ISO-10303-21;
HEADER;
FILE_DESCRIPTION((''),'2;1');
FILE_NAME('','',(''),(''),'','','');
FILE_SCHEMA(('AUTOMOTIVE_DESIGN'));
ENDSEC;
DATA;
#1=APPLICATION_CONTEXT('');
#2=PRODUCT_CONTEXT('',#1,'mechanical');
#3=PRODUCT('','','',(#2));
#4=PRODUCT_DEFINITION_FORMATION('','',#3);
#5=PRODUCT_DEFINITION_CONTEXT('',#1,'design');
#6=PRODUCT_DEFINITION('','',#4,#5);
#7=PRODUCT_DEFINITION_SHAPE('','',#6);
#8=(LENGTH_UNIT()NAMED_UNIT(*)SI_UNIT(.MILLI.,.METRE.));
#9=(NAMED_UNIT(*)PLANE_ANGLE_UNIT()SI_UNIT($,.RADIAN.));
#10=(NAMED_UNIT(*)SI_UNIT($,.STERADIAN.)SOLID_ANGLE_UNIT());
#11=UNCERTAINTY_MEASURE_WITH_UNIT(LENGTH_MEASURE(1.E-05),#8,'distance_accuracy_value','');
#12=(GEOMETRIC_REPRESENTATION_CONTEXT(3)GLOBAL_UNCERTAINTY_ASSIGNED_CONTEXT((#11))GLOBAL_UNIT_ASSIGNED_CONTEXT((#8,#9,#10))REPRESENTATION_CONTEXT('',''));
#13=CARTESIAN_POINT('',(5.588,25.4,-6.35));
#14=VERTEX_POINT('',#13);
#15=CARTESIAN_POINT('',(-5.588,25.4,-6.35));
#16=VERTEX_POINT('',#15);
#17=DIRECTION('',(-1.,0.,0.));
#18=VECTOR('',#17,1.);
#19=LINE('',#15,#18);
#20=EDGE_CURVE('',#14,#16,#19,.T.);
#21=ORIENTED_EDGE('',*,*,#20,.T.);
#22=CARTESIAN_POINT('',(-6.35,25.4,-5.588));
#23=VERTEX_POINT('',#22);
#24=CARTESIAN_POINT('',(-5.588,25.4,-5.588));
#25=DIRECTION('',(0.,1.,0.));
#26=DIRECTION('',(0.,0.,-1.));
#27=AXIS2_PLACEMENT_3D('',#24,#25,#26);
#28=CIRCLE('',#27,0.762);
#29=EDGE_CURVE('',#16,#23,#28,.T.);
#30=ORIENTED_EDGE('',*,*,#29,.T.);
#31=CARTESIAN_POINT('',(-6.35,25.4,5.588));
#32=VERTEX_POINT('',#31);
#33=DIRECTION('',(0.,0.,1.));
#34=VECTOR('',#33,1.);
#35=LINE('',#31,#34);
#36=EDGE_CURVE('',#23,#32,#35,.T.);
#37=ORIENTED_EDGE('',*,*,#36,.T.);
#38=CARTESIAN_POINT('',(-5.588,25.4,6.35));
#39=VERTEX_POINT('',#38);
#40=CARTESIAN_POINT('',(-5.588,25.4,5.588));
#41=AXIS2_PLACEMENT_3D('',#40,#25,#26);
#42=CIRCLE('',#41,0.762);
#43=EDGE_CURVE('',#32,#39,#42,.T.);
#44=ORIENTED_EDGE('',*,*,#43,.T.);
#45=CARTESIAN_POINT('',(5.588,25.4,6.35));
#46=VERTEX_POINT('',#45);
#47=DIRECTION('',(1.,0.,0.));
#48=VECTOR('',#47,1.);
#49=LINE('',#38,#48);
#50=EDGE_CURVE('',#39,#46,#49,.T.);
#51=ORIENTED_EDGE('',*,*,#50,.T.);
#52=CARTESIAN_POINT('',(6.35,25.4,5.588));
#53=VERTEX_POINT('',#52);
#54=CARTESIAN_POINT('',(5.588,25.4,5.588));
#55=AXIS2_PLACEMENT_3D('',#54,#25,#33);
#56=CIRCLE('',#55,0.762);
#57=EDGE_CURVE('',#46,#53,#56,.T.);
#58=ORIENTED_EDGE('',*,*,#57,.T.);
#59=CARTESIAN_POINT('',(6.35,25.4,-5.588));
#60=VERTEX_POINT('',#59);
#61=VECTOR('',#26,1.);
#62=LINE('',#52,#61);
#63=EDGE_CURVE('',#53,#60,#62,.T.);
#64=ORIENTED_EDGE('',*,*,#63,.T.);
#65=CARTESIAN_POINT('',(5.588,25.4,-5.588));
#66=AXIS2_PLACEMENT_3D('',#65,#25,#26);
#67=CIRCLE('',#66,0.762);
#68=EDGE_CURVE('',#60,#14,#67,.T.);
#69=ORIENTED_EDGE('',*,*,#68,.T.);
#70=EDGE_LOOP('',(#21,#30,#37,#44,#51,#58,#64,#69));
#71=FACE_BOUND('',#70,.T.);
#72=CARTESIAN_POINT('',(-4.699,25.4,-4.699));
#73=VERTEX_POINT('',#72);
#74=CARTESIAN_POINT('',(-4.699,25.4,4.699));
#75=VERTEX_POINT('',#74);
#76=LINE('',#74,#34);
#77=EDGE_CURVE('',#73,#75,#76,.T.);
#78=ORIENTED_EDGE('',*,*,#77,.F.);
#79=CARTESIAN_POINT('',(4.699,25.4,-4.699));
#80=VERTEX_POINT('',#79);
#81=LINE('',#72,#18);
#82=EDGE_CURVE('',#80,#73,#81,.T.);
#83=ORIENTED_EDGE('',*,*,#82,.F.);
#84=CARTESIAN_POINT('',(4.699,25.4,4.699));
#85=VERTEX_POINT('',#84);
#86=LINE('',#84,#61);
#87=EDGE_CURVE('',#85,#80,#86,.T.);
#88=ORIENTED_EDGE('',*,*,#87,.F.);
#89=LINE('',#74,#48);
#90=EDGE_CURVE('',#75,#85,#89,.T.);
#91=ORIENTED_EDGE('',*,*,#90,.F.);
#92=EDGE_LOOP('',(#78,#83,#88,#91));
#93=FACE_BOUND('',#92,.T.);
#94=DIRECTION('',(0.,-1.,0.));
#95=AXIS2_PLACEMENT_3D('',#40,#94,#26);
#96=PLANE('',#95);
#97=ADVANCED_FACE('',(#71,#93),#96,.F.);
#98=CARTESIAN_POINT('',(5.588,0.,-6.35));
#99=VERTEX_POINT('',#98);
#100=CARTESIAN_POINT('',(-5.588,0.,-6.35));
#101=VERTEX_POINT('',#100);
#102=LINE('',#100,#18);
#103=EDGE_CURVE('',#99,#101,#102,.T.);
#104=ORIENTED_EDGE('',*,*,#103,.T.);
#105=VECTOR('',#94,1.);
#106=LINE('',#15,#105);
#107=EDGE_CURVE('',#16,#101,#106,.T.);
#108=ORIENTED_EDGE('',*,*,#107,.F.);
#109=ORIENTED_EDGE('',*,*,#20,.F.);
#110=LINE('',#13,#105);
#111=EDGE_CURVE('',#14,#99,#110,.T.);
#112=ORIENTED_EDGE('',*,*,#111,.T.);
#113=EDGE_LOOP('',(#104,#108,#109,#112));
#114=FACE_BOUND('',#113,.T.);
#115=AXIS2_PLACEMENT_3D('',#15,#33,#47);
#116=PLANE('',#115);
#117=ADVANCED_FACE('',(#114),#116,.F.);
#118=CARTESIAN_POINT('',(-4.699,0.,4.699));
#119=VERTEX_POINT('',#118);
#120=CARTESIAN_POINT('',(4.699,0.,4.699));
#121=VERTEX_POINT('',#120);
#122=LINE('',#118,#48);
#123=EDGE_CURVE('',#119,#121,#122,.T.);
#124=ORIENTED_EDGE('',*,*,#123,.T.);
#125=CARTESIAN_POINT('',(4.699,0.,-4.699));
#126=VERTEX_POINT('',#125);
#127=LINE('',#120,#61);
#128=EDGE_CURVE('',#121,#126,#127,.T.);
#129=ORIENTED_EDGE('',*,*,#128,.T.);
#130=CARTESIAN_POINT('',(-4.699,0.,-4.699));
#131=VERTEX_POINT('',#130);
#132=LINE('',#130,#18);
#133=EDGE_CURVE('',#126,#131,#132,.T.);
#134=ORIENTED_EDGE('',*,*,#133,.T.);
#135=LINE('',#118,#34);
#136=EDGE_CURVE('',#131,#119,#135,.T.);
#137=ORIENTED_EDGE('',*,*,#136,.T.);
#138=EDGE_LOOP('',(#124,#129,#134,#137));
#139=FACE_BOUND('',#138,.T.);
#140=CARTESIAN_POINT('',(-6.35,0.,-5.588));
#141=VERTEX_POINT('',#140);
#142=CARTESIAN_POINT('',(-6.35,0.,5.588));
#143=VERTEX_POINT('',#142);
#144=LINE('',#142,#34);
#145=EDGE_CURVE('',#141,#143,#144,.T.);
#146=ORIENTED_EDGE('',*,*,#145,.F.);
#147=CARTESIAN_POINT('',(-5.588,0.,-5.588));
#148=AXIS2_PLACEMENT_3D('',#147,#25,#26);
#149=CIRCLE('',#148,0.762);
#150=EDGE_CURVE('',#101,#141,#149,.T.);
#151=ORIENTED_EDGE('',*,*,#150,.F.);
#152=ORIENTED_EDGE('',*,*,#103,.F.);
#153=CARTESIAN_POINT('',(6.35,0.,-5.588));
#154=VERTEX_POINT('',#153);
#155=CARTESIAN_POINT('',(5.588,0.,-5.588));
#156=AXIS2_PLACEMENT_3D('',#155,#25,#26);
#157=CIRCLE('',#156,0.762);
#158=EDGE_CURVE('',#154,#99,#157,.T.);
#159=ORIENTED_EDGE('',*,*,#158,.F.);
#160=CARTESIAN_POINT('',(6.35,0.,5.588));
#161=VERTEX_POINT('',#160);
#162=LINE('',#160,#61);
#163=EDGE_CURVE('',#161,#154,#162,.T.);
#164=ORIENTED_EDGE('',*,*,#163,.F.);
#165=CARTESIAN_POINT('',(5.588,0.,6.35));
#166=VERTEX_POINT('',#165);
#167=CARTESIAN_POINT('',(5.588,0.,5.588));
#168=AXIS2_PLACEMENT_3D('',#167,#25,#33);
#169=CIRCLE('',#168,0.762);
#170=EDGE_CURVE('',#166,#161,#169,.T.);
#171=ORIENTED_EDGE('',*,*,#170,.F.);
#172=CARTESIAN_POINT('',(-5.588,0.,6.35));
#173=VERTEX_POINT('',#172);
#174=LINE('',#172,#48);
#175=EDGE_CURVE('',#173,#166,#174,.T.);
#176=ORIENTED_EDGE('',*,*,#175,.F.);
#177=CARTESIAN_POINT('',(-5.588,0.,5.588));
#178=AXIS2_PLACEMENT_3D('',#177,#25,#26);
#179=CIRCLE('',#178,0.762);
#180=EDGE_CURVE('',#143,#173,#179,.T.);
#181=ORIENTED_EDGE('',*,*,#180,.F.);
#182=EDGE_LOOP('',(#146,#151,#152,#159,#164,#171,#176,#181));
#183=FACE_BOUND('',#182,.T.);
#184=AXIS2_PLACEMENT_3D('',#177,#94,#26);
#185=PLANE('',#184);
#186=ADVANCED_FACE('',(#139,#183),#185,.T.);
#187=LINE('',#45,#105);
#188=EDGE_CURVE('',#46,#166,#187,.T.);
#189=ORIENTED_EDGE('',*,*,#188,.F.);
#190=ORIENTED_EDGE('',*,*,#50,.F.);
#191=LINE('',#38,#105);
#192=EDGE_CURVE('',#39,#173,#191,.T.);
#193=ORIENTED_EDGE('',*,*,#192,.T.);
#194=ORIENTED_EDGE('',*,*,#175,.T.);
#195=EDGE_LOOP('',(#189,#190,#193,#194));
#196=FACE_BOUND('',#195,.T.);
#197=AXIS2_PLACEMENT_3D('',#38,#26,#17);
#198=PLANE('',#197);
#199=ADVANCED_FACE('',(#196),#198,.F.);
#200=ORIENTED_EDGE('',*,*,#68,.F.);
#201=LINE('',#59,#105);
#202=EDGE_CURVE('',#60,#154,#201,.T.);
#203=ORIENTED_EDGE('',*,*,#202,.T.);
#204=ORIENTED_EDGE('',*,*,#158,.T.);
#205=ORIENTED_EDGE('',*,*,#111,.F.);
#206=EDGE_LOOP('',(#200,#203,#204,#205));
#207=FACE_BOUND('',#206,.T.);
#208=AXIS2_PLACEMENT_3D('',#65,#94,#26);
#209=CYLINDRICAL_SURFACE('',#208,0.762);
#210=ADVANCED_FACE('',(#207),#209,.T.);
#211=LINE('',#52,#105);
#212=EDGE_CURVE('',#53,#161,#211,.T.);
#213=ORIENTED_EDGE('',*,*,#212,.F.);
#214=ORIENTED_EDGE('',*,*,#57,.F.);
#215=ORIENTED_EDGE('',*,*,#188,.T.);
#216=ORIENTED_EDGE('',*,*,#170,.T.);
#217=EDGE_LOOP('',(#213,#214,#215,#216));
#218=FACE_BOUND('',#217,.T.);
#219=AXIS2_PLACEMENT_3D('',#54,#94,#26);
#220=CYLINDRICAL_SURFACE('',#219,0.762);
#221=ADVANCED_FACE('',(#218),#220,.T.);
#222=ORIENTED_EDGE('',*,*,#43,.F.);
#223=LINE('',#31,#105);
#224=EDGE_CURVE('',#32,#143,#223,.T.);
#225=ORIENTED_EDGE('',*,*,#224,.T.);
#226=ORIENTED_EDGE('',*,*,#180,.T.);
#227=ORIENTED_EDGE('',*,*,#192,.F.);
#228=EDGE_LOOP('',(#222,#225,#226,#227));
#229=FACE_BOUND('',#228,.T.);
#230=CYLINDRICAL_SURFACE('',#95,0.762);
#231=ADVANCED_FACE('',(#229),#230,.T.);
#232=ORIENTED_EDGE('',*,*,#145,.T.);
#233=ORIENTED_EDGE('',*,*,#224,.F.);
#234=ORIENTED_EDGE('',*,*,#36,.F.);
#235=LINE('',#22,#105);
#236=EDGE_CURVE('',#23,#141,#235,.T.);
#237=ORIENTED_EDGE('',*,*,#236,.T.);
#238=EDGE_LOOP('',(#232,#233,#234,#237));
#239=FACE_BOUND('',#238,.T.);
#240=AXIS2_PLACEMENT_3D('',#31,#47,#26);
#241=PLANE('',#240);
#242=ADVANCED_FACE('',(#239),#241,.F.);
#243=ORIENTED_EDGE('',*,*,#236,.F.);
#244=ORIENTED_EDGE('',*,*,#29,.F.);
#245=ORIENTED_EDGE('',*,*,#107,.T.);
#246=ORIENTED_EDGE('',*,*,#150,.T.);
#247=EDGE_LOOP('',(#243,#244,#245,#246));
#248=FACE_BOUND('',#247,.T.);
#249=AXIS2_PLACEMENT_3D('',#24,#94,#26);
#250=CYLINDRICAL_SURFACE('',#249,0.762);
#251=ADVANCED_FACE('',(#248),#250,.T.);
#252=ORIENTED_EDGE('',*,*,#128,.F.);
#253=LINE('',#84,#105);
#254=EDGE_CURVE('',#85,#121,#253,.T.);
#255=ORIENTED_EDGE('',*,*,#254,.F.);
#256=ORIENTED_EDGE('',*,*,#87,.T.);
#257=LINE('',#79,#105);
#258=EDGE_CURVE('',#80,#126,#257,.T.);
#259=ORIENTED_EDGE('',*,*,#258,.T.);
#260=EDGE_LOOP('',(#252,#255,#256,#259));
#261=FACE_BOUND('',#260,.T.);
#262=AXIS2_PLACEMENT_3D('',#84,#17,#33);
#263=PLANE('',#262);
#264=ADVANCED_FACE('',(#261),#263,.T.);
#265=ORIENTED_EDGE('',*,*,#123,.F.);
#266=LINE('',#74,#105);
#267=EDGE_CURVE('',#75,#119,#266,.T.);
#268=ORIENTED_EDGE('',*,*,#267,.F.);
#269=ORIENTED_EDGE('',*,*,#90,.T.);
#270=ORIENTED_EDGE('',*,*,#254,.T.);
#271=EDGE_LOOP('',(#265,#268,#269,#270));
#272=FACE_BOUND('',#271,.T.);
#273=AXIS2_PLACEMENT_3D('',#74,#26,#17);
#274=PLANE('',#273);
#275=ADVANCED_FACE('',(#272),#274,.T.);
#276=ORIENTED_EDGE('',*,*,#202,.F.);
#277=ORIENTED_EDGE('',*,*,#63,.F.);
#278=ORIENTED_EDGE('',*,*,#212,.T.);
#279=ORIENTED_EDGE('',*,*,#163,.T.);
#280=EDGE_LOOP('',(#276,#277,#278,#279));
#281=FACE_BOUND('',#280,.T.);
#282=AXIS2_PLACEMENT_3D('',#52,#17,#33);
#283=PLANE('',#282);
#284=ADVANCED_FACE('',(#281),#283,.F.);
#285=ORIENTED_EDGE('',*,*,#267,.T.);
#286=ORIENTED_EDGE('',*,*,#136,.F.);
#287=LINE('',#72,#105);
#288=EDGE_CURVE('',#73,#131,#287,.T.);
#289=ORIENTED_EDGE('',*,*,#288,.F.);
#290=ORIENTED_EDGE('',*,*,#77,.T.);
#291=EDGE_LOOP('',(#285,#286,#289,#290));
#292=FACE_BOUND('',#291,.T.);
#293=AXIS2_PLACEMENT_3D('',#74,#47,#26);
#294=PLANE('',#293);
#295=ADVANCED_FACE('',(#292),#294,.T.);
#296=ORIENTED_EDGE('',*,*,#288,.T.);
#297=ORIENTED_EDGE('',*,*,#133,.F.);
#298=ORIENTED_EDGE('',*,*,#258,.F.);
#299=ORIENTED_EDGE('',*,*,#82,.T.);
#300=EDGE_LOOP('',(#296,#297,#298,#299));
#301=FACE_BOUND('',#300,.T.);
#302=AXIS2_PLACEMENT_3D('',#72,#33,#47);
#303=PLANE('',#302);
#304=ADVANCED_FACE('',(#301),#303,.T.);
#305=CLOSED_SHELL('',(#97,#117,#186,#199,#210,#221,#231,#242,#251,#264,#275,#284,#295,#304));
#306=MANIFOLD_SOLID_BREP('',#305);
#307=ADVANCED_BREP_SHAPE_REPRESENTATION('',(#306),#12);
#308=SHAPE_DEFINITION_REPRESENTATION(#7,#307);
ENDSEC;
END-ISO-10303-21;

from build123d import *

# Parameters (mm, degrees)
SKETCH1_W           = 9.398
SKETCH1_H           = 9.398
BOSS_EXTRUDE1_DEPTH = 25.4


with BuildPart() as part:
    # Sketch1 → Boss-Extrude1 (new body)
    with BuildSketch(Plane(origin=(0, 0, 0), x_dir=(1, 0, 0), z_dir=(0, 1, 0))):
        with BuildLine():
            Line((-5.588, -6.35), (5.588, -6.35))
            ThreePointArc((5.588, -6.35), (6.126815367, -6.126815367), (6.35, -5.588))
            Line((6.35, -5.588), (6.35, 5.588))
            ThreePointArc((6.35, 5.588), (6.126815367, 6.126815367), (5.588, 6.35))
            Line((5.588, 6.35), (-5.588, 6.35))
            ThreePointArc((-5.588, 6.35), (-6.126815367, 6.126815367), (-6.35, 5.588))
            Line((-6.35, 5.588), (-6.35, -5.588))
            ThreePointArc((-6.35, -5.588), (-6.126815367, -6.126815367), (-5.588, -6.35))
        make_face()
        Rectangle(SKETCH1_W, SKETCH1_H, mode=Mode.SUBTRACT)
    extrude(amount=BOSS_EXTRUDE1_DEPTH)


solid = part.part
